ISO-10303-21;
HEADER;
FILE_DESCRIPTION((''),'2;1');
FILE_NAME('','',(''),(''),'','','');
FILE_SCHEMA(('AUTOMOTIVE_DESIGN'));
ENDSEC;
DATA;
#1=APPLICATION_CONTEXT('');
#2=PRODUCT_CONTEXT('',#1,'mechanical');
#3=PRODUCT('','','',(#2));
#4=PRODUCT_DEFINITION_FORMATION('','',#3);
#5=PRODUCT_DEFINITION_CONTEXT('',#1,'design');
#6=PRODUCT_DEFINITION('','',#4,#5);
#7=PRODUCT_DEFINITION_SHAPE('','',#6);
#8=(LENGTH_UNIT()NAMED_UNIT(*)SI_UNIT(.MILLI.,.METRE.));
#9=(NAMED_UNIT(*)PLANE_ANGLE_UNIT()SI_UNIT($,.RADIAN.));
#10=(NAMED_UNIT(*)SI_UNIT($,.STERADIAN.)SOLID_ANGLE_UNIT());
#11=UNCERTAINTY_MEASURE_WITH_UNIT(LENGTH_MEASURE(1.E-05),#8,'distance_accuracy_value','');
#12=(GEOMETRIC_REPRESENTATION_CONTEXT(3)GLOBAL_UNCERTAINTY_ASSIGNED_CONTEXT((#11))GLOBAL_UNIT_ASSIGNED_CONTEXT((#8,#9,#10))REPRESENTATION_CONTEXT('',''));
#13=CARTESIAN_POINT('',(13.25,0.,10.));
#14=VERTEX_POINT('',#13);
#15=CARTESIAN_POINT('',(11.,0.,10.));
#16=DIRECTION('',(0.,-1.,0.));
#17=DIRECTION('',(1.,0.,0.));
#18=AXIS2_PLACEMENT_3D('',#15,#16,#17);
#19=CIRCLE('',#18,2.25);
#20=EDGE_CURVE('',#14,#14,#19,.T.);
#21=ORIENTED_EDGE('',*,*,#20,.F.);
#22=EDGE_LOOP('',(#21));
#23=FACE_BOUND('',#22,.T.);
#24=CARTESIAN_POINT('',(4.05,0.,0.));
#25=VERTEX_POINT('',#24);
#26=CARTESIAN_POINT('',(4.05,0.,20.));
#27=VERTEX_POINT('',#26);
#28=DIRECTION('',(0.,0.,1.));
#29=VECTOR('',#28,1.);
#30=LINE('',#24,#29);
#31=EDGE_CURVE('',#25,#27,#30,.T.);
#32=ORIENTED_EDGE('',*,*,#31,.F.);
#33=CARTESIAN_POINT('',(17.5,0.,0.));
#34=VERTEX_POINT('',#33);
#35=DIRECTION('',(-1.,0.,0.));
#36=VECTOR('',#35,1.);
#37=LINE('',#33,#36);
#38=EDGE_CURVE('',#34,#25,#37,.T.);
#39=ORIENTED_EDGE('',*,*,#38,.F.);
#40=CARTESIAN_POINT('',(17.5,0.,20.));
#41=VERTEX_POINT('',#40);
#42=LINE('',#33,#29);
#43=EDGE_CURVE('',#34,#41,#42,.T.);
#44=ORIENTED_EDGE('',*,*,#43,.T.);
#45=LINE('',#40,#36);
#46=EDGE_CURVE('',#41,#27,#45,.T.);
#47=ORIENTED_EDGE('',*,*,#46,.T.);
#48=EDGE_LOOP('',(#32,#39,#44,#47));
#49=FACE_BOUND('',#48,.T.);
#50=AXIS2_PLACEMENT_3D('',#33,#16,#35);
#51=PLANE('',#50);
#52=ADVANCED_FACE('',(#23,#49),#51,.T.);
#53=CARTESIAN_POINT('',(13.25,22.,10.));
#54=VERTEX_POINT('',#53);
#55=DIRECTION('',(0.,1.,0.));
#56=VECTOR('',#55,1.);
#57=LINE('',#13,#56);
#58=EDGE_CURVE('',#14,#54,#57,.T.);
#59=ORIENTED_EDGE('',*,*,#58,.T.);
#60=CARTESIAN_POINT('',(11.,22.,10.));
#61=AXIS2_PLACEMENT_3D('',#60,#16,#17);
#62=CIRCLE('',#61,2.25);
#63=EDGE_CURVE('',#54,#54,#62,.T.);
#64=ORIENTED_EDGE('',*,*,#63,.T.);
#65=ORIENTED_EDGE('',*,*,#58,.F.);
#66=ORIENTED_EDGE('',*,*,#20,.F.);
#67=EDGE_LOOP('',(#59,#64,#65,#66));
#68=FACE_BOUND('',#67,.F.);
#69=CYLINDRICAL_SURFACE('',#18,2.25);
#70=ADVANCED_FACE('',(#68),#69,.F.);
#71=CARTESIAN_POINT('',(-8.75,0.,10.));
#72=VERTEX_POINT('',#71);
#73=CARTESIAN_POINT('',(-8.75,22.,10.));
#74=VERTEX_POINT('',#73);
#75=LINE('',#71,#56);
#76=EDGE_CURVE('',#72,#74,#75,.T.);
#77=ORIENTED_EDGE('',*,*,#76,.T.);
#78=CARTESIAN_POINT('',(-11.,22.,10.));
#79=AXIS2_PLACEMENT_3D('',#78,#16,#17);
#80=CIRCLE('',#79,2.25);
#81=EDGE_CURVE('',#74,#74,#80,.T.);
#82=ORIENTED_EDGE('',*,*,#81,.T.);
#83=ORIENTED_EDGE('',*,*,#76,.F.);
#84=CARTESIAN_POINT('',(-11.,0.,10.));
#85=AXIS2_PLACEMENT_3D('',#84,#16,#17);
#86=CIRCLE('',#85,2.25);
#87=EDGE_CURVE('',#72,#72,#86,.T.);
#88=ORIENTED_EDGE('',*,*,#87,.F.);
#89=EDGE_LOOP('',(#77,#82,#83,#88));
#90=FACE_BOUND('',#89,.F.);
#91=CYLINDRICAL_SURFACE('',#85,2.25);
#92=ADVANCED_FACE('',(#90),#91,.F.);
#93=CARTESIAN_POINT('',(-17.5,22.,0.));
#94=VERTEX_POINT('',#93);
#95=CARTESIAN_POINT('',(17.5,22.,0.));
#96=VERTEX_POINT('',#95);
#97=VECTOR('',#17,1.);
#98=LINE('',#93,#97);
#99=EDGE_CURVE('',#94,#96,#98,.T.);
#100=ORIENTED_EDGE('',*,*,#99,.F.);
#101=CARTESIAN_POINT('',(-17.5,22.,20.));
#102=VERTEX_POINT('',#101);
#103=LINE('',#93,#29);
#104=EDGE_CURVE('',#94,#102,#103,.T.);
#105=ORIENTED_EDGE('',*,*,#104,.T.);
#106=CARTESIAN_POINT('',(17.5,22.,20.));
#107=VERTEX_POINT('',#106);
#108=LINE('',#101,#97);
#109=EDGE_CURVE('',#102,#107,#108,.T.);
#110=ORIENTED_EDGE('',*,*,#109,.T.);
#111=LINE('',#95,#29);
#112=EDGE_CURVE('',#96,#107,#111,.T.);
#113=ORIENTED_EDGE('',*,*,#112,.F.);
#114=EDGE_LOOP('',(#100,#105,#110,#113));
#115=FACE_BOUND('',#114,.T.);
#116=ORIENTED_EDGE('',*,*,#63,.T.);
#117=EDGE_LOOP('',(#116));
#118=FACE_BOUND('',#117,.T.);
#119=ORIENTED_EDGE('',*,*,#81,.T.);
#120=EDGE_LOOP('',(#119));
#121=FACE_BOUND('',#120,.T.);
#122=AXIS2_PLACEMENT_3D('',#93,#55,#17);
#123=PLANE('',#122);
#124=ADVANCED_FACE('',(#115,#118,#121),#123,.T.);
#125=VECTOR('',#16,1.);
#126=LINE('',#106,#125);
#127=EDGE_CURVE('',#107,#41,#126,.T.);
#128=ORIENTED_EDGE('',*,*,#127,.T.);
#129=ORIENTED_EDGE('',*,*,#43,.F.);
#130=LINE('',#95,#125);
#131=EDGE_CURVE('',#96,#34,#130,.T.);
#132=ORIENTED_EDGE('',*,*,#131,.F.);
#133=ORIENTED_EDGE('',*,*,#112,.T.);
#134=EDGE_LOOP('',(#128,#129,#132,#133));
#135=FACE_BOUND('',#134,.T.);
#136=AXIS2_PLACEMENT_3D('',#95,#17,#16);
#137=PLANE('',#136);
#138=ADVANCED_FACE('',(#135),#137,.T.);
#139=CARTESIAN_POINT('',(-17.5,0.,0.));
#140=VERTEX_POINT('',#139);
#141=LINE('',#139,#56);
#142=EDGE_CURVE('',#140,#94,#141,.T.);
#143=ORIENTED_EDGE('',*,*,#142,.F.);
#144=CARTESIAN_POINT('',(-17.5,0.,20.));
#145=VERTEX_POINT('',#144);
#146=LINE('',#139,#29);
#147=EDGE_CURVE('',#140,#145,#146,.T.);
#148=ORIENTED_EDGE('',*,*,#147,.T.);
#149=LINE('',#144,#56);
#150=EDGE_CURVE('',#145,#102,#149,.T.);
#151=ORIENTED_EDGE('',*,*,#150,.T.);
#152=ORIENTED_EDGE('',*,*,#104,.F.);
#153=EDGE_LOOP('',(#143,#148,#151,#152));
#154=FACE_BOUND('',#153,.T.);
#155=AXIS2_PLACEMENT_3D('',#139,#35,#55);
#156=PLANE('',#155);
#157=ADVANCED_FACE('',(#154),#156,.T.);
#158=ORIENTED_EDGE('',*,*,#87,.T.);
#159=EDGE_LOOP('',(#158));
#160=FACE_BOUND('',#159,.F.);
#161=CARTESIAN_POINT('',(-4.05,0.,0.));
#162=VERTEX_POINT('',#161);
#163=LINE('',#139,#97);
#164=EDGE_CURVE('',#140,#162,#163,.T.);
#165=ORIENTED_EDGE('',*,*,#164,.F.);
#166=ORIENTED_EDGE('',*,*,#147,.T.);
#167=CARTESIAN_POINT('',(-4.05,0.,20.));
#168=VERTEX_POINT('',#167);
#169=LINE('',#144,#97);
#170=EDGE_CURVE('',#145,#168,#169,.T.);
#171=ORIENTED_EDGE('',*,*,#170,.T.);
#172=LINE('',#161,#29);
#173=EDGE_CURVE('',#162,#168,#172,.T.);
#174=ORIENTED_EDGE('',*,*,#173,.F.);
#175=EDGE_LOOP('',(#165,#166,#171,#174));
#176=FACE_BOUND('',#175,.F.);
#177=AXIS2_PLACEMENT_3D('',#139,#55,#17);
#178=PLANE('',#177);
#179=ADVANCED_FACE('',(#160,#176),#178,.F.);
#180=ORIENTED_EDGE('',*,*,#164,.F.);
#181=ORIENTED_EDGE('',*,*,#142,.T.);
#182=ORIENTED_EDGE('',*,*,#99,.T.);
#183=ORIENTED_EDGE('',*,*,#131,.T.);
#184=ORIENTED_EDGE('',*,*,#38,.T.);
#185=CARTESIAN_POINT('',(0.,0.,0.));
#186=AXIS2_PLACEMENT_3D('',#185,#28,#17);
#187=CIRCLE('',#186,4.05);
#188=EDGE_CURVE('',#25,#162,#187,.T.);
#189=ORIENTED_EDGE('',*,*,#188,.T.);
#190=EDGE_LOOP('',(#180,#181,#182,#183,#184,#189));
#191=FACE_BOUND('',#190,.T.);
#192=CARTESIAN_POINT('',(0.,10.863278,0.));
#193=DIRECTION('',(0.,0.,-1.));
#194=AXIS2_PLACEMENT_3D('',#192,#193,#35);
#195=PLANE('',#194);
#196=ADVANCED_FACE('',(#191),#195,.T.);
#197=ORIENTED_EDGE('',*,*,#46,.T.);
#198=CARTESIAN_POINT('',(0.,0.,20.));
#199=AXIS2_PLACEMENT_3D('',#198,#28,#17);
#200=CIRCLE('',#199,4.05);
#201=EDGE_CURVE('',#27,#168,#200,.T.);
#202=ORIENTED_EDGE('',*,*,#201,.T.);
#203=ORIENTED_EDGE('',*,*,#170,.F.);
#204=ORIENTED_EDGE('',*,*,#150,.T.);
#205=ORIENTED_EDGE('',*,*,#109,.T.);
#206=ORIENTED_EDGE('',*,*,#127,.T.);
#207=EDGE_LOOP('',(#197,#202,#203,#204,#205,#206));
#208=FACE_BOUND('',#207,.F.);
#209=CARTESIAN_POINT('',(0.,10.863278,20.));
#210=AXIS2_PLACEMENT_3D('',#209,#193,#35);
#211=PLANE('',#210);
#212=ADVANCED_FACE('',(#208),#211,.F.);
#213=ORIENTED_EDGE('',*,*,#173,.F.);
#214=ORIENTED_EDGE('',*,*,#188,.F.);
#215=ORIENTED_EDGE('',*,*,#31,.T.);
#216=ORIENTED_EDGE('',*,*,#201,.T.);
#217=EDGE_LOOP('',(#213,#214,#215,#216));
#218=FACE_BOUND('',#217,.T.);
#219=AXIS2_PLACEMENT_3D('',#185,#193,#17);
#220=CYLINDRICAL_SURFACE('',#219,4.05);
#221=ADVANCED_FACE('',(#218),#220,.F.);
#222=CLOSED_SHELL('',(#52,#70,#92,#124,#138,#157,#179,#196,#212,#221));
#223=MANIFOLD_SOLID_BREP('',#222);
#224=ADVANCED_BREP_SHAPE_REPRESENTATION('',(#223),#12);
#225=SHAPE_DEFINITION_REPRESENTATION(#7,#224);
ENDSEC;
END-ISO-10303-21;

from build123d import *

# Parameters (mm, degrees)
PAD_DEPTH    = 20
SKETCH001_R  = 2.25
POCKET_DEPTH = 22.001


with BuildPart() as part:
    # Sketch → Pad (new body)
    with BuildSketch(Plane.XY):
        with BuildLine():
            Line((-17.5, 22), (17.5, 22))
            Line((17.5, 22), (17.5, 0))
            Line((17.5, 0), (4.05, 0))
            ThreePointArc((4.05, 0), (0, 4.05), (-4.05, 0))
            Line((-17.5, 0), (-4.05, 0))
            Line((-17.5, 0), (-17.5, 22))
        make_face()
    extrude(amount=PAD_DEPTH)

    # Sketch001 → Pocket (cut, through all)
    with BuildSketch(Plane.XZ):
        with Locations((-11, 10)):
            Circle(SKETCH001_R)
        with Locations((11, 10)):
            Circle(SKETCH001_R)
    extrude(amount=-POCKET_DEPTH, mode=Mode.SUBTRACT)


solid = part.part
